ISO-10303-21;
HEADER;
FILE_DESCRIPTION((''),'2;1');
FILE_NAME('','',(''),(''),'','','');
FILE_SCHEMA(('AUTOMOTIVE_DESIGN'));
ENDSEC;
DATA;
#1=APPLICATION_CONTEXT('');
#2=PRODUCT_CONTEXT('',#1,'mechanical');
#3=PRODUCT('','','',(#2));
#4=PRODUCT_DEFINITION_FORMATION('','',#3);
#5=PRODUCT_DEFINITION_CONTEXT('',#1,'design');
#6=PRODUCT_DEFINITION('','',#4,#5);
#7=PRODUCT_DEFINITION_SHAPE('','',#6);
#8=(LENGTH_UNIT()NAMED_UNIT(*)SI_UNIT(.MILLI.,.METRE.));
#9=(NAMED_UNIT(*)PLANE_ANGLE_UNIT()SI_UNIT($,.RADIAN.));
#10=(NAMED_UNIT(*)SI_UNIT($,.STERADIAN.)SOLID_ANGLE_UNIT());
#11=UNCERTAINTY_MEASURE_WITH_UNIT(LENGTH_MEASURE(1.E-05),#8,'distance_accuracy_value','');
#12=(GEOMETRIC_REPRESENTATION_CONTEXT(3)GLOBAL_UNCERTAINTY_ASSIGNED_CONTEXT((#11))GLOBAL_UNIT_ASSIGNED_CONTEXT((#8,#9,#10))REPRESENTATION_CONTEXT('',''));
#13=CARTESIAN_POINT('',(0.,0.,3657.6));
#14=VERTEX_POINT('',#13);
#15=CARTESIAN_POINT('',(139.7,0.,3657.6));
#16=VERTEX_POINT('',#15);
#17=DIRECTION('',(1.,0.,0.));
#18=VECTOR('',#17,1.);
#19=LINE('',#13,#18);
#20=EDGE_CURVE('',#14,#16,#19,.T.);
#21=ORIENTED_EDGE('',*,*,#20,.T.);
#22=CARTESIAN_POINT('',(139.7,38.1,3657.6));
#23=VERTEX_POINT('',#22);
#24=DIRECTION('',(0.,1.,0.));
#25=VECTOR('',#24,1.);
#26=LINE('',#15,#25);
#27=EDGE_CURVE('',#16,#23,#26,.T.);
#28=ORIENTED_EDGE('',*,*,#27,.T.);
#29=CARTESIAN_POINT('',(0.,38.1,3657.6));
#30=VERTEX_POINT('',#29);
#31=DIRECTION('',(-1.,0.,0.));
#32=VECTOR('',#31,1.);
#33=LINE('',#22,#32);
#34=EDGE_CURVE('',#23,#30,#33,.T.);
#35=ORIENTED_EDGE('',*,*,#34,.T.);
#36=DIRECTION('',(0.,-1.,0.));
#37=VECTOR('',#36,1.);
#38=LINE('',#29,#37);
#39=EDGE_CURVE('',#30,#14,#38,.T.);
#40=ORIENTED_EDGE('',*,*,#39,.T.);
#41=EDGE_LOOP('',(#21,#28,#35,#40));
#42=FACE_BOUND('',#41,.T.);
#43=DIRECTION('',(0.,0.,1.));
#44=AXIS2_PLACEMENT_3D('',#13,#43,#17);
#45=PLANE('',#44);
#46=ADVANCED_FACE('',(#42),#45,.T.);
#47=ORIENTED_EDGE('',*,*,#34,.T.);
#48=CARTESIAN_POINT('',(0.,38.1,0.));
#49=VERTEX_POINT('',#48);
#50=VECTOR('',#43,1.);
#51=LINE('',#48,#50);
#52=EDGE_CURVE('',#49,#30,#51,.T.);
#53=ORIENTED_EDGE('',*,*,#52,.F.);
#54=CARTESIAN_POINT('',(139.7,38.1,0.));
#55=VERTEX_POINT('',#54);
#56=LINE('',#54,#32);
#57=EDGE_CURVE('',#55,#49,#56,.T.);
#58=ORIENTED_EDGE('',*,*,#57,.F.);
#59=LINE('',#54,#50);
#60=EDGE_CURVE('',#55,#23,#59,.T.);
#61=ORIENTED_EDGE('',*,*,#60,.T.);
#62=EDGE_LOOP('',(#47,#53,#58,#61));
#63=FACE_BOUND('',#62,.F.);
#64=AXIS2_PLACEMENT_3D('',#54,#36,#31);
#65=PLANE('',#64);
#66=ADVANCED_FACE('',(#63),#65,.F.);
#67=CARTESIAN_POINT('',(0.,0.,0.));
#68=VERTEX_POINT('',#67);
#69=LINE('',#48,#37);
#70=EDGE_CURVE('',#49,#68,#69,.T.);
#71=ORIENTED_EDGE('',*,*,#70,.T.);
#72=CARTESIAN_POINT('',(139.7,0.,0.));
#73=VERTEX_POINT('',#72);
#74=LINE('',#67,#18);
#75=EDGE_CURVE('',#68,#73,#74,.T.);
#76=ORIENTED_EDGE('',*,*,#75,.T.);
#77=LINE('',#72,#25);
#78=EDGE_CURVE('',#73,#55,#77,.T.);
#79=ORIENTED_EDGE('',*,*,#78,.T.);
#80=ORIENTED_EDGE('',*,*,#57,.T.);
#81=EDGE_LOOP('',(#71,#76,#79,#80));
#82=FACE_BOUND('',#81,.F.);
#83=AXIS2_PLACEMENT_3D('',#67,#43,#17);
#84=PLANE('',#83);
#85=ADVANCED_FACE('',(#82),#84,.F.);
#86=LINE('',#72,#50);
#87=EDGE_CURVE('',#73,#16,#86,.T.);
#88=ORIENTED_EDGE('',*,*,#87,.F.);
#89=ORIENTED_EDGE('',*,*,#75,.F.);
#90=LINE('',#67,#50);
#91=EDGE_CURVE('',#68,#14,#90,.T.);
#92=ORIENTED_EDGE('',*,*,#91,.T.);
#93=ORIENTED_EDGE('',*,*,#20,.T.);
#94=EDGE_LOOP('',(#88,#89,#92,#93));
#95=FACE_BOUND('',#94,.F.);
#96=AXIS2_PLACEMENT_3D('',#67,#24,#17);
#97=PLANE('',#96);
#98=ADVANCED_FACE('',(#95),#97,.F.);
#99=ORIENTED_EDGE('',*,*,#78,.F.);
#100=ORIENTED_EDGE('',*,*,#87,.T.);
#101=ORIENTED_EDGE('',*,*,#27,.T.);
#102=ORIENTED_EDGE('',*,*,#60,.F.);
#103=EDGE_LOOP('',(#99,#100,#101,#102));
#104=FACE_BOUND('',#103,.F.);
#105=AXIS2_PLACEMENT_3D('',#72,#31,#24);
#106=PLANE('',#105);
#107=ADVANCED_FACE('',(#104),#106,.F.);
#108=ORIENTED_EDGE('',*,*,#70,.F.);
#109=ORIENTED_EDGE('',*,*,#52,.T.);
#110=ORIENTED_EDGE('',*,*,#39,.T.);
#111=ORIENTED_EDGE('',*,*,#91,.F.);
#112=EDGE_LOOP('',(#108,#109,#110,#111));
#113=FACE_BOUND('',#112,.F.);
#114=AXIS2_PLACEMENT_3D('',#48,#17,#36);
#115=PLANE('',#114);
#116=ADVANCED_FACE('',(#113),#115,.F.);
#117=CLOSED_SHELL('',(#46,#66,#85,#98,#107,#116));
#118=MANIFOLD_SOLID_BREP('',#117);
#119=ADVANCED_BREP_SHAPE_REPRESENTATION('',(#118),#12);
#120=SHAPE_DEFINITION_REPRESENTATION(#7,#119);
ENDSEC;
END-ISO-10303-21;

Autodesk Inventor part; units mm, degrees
ref_plane "YZ Plane" through (0, 0, 0) normal (1, 0, 0) x (0, 1, 0)
ref_plane "XZ Plane" through (0, 0, 0) normal (0, 1, 0) x (-1, 0, 0)
ref_plane "XY Plane" through (0, 0, 0) normal (0, 0, 1) x (1, 0, 0)
sketch "Sketch1" plane through (0, 0, 0) normal (0, 0, 1) x (1, 0, 0)
  line L0 (0, 0) -> (139.7, 0)
  line L1 (139.7, 0) -> (139.7, 38.1)
  line L2 (139.7, 38.1) -> (0, 38.1)
  line L3 (0, 38.1) -> (0, 0)
  dimension "d0" = 139.7
  dimension "d1" = 38.1
extrude "Extrusion1" add sketch "Sketch1" along normal blind 3657.6
properties part number "Bottom_Plate_With_Length_144_Inches" material "Wood (Birch)"
